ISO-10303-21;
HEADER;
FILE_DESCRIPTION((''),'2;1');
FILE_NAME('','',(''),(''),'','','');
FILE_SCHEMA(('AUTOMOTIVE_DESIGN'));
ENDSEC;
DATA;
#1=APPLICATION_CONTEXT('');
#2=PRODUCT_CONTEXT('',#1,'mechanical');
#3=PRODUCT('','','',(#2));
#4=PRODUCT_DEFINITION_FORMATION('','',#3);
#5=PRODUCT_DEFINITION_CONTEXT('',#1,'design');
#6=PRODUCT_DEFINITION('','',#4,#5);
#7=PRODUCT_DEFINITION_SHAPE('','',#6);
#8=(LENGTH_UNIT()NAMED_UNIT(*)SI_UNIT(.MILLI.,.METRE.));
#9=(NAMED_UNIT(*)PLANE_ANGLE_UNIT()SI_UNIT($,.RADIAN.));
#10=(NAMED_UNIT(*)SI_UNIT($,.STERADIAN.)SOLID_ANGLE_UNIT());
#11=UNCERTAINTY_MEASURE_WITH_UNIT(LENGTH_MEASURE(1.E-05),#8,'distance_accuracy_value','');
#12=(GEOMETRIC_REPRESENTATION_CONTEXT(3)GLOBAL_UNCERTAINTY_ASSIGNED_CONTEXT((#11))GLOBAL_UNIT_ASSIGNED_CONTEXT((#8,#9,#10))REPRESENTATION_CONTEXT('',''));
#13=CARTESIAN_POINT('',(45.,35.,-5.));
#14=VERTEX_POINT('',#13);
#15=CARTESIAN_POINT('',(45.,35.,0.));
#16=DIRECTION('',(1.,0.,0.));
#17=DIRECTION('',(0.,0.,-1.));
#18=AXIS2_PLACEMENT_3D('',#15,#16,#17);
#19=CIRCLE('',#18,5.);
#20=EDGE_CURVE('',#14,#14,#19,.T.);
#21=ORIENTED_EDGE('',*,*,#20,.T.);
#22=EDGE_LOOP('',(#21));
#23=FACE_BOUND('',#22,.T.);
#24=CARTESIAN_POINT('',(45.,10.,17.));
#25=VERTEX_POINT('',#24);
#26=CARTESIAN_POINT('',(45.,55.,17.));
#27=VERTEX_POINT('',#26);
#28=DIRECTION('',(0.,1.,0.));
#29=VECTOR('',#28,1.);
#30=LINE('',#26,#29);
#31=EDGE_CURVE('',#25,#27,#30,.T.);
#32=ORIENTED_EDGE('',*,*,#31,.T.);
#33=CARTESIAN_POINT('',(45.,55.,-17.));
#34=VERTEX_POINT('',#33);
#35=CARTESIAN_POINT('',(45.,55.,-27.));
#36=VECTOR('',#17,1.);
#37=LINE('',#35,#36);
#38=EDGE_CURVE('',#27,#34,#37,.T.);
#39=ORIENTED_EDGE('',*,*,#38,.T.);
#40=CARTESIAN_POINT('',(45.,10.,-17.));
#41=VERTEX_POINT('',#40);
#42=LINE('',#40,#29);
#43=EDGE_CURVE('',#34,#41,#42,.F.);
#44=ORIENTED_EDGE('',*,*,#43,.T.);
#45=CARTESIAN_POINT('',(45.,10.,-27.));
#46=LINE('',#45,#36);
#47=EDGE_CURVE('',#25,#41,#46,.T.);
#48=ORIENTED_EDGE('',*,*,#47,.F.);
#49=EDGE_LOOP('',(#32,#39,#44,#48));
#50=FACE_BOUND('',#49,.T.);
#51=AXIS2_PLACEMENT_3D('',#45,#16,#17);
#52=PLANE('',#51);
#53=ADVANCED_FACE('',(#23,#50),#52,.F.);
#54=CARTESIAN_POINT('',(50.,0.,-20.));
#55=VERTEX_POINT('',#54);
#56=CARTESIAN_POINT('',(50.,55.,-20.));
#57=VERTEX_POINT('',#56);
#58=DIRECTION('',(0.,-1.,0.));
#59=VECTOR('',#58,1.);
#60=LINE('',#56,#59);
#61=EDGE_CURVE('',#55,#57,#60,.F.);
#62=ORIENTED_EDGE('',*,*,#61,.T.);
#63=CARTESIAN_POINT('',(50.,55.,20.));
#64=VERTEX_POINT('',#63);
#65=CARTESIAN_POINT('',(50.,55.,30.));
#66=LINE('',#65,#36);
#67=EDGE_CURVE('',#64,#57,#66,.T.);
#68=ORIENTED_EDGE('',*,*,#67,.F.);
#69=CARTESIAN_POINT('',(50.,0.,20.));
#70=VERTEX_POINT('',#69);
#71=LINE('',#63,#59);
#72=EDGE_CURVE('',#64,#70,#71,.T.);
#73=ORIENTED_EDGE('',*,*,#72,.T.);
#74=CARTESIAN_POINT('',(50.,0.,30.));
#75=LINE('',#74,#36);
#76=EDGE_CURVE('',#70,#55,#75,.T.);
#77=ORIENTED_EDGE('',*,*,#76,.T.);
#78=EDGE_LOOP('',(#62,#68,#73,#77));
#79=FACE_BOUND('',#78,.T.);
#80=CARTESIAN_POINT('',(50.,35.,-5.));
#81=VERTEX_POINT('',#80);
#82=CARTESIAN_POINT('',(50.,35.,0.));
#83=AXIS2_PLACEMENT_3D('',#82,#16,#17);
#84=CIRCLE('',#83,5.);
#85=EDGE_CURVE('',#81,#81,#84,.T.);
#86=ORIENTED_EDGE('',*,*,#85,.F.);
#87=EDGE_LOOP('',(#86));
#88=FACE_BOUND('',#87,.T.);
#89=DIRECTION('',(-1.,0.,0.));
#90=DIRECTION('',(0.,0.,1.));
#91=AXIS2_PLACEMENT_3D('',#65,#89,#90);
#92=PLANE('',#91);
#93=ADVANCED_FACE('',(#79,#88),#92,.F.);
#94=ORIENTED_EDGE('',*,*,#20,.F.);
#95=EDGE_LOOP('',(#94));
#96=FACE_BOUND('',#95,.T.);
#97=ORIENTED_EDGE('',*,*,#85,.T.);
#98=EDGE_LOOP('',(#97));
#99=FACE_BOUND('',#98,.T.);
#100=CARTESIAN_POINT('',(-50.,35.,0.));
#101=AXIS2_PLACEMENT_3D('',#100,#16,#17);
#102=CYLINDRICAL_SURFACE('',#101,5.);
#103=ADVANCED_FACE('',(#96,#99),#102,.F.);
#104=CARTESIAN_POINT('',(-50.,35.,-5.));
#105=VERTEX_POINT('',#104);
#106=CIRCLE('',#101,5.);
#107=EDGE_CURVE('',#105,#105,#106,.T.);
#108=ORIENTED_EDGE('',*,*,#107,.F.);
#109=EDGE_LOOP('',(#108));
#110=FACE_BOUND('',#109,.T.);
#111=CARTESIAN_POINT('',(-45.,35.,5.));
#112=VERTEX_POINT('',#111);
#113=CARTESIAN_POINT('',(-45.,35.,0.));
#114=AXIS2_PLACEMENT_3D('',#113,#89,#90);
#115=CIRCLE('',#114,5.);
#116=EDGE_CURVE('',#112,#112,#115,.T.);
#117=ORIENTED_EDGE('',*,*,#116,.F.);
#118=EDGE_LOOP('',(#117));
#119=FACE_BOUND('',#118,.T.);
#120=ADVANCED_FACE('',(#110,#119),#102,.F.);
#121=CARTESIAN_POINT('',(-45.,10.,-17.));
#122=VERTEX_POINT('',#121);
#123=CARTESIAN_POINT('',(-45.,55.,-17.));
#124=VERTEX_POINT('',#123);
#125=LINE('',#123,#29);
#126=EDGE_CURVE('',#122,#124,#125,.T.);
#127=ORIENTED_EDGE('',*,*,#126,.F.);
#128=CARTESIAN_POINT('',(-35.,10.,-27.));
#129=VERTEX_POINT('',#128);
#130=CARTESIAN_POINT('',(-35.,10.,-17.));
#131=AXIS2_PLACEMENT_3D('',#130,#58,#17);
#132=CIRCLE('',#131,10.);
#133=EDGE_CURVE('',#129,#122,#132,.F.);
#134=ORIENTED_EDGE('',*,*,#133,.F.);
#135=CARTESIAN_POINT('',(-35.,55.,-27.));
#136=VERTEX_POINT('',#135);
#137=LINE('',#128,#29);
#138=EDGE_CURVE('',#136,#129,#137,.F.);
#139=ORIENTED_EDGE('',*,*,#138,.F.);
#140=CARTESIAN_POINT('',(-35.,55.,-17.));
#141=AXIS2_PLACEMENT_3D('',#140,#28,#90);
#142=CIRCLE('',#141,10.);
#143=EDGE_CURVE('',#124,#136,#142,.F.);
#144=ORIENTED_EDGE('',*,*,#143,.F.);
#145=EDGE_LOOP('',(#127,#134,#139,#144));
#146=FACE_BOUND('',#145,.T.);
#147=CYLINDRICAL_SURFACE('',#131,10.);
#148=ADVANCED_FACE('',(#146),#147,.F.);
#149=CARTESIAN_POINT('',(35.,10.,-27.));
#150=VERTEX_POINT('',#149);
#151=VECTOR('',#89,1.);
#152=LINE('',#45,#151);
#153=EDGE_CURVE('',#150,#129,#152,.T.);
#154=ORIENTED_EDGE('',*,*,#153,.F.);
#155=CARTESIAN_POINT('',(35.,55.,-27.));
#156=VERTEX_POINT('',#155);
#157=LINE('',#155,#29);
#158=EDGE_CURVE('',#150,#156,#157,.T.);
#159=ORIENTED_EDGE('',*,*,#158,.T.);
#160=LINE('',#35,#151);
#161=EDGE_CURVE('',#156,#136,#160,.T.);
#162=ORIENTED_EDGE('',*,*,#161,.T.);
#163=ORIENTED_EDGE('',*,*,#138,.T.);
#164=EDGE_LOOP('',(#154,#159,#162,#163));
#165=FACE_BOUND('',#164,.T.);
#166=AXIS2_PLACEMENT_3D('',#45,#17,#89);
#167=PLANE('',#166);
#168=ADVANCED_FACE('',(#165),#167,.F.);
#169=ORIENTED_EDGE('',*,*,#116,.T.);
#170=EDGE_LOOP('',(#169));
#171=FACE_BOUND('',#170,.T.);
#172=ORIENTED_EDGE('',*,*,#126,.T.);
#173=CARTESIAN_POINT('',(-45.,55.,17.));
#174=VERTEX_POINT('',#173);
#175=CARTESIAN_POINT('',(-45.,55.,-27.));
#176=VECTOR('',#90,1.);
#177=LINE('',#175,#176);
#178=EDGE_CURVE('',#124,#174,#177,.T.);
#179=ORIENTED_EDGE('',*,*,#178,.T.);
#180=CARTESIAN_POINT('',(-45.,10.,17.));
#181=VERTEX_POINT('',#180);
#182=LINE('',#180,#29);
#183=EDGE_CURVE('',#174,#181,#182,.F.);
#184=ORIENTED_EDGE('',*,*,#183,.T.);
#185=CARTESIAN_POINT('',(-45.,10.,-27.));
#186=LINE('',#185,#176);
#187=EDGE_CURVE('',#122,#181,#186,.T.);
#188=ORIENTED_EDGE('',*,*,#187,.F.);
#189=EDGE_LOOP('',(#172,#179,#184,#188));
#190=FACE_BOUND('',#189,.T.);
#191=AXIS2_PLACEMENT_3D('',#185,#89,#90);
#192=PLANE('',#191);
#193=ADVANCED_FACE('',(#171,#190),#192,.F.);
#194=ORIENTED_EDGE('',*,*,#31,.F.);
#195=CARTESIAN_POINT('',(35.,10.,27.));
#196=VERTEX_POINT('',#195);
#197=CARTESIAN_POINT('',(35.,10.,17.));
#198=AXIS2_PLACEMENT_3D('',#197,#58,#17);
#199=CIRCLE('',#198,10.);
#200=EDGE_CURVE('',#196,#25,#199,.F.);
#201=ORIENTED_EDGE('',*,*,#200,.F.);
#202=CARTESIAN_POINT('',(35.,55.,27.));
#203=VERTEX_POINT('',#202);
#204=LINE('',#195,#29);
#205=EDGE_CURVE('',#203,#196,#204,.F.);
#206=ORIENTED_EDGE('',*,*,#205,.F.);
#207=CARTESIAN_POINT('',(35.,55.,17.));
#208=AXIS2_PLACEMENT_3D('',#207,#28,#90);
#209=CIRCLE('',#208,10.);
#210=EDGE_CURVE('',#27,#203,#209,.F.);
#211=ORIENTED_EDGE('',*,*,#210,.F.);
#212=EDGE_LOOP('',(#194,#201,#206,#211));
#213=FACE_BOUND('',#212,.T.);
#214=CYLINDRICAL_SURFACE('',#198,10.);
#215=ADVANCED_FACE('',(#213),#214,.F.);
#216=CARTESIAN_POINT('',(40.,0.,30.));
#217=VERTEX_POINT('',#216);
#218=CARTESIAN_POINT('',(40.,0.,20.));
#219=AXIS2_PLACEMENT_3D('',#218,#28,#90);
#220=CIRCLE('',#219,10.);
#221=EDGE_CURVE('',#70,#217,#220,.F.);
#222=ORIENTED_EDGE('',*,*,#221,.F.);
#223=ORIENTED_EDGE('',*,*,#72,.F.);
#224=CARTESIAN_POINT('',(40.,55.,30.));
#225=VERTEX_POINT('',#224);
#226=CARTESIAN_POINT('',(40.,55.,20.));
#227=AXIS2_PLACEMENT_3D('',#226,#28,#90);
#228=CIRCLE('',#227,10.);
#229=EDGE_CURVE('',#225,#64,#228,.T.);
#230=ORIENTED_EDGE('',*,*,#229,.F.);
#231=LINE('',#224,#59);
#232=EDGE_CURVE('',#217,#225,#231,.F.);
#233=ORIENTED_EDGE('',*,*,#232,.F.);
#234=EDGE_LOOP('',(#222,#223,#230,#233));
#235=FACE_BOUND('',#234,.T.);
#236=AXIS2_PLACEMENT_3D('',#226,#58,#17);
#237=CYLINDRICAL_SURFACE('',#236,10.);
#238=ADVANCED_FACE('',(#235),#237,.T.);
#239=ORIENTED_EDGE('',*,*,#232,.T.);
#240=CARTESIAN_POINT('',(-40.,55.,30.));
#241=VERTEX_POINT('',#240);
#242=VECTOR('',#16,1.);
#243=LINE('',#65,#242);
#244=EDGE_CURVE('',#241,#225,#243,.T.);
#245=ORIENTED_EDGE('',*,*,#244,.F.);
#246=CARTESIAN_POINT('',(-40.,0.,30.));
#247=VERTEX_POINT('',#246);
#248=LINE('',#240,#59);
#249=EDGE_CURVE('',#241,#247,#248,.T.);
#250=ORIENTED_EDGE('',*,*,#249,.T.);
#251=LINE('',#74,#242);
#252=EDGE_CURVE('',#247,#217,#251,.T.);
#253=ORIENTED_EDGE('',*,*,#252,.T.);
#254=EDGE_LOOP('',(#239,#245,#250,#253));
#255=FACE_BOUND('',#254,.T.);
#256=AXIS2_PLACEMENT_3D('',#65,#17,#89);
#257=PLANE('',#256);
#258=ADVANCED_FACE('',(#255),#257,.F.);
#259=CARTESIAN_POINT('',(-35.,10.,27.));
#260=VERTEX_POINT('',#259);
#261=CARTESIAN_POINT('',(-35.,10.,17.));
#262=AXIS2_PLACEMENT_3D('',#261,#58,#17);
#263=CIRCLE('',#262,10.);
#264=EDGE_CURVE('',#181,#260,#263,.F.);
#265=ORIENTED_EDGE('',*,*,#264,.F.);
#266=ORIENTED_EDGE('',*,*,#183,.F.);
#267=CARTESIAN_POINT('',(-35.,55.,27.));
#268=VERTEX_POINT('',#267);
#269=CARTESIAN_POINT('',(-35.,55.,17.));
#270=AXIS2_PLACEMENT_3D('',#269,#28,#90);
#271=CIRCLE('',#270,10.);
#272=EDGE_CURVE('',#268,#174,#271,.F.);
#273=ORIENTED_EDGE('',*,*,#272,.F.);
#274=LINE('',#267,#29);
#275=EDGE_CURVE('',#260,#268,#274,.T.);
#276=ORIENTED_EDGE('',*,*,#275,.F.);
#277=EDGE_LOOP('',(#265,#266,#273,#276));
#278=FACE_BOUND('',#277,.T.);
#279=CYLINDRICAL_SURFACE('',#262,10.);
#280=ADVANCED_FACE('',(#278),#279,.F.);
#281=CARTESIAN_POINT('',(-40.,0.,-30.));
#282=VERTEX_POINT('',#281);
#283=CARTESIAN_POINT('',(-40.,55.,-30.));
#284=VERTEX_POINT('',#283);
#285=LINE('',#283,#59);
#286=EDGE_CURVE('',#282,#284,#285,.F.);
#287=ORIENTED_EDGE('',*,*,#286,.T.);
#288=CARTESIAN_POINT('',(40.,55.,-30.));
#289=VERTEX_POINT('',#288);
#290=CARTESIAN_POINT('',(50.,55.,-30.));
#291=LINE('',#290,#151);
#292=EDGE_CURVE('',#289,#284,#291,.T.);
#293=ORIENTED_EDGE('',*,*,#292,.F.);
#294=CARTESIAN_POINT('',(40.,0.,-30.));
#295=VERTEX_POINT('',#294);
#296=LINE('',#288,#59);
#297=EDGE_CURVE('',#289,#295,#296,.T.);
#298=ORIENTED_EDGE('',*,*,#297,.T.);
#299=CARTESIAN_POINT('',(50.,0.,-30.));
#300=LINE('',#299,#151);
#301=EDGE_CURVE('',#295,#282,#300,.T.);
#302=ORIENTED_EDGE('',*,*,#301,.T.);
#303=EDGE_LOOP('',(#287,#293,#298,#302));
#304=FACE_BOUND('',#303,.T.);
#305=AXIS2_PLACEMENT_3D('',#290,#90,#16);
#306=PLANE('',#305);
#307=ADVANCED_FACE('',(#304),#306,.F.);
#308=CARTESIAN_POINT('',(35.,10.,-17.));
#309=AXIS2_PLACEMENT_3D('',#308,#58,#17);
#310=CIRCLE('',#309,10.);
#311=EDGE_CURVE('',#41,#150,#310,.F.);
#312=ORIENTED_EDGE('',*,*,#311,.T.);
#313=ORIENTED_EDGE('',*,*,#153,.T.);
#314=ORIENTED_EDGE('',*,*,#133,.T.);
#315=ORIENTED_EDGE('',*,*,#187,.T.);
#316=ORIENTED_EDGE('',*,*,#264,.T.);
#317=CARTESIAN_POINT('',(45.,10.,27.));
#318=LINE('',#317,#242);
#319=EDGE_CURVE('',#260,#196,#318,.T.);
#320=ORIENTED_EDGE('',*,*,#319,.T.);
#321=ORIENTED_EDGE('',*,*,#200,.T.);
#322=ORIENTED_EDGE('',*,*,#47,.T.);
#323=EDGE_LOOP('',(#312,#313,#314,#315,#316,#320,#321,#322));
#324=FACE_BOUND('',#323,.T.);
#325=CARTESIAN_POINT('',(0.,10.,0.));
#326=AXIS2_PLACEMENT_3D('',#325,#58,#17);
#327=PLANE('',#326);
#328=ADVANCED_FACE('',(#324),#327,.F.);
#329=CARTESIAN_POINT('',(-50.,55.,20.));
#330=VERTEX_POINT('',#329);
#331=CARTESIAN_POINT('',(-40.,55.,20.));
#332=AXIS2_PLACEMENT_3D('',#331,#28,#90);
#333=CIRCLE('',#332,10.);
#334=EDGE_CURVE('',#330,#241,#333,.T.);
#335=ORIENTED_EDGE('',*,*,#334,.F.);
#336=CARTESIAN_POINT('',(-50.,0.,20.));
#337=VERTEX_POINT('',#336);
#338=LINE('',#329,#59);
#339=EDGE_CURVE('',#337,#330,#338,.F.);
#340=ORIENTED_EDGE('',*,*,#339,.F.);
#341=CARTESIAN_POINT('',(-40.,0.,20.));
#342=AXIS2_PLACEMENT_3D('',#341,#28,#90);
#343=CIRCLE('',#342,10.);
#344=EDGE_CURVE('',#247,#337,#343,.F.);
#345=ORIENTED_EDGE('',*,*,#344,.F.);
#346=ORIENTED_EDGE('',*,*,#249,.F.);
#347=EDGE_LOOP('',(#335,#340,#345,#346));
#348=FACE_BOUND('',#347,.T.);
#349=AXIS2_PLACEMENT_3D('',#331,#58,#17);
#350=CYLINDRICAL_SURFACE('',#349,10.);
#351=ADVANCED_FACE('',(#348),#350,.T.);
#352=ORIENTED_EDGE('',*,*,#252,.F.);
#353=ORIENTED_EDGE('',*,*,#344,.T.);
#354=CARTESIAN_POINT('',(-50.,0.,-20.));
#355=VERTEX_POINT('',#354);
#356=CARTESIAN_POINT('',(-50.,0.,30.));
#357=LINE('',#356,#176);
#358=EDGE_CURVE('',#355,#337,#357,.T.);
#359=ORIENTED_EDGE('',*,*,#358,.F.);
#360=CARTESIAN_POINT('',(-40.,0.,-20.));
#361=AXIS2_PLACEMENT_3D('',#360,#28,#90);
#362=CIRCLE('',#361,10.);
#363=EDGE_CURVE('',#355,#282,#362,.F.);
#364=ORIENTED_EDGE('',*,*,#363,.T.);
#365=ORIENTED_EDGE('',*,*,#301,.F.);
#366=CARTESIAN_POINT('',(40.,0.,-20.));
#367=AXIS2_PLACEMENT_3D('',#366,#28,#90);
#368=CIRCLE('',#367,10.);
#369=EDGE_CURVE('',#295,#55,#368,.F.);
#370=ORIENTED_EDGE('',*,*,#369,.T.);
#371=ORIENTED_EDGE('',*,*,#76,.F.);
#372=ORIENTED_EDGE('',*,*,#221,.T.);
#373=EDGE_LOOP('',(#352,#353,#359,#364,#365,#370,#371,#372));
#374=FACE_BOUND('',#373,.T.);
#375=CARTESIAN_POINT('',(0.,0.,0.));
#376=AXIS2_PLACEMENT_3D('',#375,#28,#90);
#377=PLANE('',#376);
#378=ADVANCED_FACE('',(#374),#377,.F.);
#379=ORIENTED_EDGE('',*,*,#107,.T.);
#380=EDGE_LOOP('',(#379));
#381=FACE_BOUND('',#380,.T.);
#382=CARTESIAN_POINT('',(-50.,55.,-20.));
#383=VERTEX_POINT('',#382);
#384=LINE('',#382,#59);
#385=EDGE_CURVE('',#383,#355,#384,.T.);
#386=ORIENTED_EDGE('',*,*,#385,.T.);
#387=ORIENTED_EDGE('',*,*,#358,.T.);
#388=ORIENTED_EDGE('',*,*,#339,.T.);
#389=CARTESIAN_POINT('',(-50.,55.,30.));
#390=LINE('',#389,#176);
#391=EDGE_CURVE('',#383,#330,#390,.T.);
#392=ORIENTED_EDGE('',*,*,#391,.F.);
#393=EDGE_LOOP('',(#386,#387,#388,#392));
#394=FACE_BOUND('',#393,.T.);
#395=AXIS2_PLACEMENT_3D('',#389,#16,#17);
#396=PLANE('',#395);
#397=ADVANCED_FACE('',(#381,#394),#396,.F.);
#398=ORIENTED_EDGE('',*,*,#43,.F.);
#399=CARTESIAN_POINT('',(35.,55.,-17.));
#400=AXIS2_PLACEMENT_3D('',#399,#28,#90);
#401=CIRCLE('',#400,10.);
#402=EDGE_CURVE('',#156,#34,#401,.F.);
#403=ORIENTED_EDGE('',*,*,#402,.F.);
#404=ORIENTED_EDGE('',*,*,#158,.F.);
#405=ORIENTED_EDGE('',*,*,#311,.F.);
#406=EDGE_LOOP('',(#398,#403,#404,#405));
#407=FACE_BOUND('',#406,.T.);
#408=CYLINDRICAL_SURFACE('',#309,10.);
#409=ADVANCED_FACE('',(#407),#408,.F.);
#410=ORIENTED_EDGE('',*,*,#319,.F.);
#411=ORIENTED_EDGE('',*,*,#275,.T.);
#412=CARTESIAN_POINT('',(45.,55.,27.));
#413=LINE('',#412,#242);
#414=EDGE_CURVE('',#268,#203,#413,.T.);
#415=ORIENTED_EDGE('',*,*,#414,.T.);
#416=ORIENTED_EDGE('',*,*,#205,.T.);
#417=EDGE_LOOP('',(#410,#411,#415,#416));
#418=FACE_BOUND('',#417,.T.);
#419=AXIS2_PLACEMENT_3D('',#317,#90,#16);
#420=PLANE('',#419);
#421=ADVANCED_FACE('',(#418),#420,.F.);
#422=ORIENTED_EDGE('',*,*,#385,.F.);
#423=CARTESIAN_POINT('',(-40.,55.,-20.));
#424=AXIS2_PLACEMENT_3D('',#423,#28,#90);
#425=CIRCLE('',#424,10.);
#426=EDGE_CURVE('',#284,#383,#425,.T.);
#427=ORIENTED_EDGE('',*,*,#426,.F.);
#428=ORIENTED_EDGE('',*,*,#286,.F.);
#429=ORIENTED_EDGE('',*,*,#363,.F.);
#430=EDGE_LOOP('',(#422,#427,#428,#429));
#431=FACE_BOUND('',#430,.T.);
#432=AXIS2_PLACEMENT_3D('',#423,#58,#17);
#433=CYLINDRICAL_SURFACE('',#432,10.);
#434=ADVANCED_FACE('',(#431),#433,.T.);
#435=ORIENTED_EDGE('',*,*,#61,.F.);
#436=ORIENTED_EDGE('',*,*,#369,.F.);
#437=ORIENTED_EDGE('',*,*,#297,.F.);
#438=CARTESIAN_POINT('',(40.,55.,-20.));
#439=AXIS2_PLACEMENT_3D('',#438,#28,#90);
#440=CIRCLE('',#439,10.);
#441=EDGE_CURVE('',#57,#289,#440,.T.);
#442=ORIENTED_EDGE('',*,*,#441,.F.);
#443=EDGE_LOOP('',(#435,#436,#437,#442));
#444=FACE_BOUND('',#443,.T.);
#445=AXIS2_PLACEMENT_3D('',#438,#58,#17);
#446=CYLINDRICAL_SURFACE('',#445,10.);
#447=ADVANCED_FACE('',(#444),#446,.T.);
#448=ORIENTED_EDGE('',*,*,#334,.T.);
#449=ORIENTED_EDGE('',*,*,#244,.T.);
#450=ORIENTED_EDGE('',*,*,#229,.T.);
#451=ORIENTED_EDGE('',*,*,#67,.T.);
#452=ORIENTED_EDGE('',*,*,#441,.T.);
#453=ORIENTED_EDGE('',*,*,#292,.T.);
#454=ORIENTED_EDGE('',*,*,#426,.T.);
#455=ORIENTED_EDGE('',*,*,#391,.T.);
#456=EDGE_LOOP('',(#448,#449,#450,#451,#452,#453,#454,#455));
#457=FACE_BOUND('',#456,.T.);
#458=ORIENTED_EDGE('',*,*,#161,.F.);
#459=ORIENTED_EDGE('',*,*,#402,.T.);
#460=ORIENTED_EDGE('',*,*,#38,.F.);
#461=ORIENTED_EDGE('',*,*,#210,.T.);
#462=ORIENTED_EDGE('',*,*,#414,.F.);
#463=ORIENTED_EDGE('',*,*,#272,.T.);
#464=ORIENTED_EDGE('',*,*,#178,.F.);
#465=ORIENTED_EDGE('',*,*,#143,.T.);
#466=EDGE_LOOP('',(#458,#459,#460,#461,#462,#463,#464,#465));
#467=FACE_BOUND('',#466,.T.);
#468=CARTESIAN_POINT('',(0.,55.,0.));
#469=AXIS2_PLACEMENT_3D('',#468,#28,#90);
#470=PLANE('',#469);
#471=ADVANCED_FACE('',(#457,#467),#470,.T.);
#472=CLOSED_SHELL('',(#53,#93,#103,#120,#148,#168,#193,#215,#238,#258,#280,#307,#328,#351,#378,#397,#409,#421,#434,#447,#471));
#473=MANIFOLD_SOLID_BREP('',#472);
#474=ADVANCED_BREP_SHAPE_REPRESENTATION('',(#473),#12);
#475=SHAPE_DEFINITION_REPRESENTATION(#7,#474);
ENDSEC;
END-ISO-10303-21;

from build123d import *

# Parameters (mm, degrees)
ESBO_O3_W                = 100
ESBO_O3_H                = 60
RESSALTO_EXTRUS_O1_DEPTH = 55
ESBO_O4_W                = 90
ESBO_O4_H                = 54
CORTE_EXTRUS_O1_DEPTH    = 45
ESBO_O5_R                = 5
CORTE_EXTRUS_O2_DEPTH    = 100
FILETE1_R                = 10


with BuildPart() as part:
    # Esboço3 → Ressalto-extrusão1 (new body)
    with BuildSketch(Plane(origin=(0, 0, 0), x_dir=(1, 0, 0), z_dir=(0, 1, 0))):
        Rectangle(ESBO_O3_W, ESBO_O3_H)
    extrude(amount=RESSALTO_EXTRUS_O1_DEPTH)

    # Esboço4 → Corte-extrusão1 (cut)
    with BuildSketch(Plane(origin=(0, 55, 0), x_dir=(1, 0, 0), z_dir=(0, 1, 0))):
        Rectangle(ESBO_O4_W, ESBO_O4_H)
    extrude(amount=-CORTE_EXTRUS_O1_DEPTH, mode=Mode.SUBTRACT)

    # Esboço5 → Corte-extrusão2 (cut)
    with BuildSketch(Plane(origin=(50, 0, 0), x_dir=(0, 0, -1), z_dir=(1, 0, 0))):
        with Locations((0, 35)):
            Circle(ESBO_O5_R)
    extrude(amount=-CORTE_EXTRUS_O2_DEPTH, mode=Mode.SUBTRACT)

    # Filete1
    filete1_edges = [part.edges().sort_by_distance(p)[0] for p in [
        (-45, 32.5, 27),
        (-45, 32.5, -27),
        (45, 32.5, -27),
        (45, 32.5, 27),
        (-50, 27.5, -30),
        (50, 27.5, -30),
        (50, 27.5, 30),
        (-50, 27.5, 30),
    ]]
    fillet(filete1_edges, radius=FILETE1_R)


solid = part.part
